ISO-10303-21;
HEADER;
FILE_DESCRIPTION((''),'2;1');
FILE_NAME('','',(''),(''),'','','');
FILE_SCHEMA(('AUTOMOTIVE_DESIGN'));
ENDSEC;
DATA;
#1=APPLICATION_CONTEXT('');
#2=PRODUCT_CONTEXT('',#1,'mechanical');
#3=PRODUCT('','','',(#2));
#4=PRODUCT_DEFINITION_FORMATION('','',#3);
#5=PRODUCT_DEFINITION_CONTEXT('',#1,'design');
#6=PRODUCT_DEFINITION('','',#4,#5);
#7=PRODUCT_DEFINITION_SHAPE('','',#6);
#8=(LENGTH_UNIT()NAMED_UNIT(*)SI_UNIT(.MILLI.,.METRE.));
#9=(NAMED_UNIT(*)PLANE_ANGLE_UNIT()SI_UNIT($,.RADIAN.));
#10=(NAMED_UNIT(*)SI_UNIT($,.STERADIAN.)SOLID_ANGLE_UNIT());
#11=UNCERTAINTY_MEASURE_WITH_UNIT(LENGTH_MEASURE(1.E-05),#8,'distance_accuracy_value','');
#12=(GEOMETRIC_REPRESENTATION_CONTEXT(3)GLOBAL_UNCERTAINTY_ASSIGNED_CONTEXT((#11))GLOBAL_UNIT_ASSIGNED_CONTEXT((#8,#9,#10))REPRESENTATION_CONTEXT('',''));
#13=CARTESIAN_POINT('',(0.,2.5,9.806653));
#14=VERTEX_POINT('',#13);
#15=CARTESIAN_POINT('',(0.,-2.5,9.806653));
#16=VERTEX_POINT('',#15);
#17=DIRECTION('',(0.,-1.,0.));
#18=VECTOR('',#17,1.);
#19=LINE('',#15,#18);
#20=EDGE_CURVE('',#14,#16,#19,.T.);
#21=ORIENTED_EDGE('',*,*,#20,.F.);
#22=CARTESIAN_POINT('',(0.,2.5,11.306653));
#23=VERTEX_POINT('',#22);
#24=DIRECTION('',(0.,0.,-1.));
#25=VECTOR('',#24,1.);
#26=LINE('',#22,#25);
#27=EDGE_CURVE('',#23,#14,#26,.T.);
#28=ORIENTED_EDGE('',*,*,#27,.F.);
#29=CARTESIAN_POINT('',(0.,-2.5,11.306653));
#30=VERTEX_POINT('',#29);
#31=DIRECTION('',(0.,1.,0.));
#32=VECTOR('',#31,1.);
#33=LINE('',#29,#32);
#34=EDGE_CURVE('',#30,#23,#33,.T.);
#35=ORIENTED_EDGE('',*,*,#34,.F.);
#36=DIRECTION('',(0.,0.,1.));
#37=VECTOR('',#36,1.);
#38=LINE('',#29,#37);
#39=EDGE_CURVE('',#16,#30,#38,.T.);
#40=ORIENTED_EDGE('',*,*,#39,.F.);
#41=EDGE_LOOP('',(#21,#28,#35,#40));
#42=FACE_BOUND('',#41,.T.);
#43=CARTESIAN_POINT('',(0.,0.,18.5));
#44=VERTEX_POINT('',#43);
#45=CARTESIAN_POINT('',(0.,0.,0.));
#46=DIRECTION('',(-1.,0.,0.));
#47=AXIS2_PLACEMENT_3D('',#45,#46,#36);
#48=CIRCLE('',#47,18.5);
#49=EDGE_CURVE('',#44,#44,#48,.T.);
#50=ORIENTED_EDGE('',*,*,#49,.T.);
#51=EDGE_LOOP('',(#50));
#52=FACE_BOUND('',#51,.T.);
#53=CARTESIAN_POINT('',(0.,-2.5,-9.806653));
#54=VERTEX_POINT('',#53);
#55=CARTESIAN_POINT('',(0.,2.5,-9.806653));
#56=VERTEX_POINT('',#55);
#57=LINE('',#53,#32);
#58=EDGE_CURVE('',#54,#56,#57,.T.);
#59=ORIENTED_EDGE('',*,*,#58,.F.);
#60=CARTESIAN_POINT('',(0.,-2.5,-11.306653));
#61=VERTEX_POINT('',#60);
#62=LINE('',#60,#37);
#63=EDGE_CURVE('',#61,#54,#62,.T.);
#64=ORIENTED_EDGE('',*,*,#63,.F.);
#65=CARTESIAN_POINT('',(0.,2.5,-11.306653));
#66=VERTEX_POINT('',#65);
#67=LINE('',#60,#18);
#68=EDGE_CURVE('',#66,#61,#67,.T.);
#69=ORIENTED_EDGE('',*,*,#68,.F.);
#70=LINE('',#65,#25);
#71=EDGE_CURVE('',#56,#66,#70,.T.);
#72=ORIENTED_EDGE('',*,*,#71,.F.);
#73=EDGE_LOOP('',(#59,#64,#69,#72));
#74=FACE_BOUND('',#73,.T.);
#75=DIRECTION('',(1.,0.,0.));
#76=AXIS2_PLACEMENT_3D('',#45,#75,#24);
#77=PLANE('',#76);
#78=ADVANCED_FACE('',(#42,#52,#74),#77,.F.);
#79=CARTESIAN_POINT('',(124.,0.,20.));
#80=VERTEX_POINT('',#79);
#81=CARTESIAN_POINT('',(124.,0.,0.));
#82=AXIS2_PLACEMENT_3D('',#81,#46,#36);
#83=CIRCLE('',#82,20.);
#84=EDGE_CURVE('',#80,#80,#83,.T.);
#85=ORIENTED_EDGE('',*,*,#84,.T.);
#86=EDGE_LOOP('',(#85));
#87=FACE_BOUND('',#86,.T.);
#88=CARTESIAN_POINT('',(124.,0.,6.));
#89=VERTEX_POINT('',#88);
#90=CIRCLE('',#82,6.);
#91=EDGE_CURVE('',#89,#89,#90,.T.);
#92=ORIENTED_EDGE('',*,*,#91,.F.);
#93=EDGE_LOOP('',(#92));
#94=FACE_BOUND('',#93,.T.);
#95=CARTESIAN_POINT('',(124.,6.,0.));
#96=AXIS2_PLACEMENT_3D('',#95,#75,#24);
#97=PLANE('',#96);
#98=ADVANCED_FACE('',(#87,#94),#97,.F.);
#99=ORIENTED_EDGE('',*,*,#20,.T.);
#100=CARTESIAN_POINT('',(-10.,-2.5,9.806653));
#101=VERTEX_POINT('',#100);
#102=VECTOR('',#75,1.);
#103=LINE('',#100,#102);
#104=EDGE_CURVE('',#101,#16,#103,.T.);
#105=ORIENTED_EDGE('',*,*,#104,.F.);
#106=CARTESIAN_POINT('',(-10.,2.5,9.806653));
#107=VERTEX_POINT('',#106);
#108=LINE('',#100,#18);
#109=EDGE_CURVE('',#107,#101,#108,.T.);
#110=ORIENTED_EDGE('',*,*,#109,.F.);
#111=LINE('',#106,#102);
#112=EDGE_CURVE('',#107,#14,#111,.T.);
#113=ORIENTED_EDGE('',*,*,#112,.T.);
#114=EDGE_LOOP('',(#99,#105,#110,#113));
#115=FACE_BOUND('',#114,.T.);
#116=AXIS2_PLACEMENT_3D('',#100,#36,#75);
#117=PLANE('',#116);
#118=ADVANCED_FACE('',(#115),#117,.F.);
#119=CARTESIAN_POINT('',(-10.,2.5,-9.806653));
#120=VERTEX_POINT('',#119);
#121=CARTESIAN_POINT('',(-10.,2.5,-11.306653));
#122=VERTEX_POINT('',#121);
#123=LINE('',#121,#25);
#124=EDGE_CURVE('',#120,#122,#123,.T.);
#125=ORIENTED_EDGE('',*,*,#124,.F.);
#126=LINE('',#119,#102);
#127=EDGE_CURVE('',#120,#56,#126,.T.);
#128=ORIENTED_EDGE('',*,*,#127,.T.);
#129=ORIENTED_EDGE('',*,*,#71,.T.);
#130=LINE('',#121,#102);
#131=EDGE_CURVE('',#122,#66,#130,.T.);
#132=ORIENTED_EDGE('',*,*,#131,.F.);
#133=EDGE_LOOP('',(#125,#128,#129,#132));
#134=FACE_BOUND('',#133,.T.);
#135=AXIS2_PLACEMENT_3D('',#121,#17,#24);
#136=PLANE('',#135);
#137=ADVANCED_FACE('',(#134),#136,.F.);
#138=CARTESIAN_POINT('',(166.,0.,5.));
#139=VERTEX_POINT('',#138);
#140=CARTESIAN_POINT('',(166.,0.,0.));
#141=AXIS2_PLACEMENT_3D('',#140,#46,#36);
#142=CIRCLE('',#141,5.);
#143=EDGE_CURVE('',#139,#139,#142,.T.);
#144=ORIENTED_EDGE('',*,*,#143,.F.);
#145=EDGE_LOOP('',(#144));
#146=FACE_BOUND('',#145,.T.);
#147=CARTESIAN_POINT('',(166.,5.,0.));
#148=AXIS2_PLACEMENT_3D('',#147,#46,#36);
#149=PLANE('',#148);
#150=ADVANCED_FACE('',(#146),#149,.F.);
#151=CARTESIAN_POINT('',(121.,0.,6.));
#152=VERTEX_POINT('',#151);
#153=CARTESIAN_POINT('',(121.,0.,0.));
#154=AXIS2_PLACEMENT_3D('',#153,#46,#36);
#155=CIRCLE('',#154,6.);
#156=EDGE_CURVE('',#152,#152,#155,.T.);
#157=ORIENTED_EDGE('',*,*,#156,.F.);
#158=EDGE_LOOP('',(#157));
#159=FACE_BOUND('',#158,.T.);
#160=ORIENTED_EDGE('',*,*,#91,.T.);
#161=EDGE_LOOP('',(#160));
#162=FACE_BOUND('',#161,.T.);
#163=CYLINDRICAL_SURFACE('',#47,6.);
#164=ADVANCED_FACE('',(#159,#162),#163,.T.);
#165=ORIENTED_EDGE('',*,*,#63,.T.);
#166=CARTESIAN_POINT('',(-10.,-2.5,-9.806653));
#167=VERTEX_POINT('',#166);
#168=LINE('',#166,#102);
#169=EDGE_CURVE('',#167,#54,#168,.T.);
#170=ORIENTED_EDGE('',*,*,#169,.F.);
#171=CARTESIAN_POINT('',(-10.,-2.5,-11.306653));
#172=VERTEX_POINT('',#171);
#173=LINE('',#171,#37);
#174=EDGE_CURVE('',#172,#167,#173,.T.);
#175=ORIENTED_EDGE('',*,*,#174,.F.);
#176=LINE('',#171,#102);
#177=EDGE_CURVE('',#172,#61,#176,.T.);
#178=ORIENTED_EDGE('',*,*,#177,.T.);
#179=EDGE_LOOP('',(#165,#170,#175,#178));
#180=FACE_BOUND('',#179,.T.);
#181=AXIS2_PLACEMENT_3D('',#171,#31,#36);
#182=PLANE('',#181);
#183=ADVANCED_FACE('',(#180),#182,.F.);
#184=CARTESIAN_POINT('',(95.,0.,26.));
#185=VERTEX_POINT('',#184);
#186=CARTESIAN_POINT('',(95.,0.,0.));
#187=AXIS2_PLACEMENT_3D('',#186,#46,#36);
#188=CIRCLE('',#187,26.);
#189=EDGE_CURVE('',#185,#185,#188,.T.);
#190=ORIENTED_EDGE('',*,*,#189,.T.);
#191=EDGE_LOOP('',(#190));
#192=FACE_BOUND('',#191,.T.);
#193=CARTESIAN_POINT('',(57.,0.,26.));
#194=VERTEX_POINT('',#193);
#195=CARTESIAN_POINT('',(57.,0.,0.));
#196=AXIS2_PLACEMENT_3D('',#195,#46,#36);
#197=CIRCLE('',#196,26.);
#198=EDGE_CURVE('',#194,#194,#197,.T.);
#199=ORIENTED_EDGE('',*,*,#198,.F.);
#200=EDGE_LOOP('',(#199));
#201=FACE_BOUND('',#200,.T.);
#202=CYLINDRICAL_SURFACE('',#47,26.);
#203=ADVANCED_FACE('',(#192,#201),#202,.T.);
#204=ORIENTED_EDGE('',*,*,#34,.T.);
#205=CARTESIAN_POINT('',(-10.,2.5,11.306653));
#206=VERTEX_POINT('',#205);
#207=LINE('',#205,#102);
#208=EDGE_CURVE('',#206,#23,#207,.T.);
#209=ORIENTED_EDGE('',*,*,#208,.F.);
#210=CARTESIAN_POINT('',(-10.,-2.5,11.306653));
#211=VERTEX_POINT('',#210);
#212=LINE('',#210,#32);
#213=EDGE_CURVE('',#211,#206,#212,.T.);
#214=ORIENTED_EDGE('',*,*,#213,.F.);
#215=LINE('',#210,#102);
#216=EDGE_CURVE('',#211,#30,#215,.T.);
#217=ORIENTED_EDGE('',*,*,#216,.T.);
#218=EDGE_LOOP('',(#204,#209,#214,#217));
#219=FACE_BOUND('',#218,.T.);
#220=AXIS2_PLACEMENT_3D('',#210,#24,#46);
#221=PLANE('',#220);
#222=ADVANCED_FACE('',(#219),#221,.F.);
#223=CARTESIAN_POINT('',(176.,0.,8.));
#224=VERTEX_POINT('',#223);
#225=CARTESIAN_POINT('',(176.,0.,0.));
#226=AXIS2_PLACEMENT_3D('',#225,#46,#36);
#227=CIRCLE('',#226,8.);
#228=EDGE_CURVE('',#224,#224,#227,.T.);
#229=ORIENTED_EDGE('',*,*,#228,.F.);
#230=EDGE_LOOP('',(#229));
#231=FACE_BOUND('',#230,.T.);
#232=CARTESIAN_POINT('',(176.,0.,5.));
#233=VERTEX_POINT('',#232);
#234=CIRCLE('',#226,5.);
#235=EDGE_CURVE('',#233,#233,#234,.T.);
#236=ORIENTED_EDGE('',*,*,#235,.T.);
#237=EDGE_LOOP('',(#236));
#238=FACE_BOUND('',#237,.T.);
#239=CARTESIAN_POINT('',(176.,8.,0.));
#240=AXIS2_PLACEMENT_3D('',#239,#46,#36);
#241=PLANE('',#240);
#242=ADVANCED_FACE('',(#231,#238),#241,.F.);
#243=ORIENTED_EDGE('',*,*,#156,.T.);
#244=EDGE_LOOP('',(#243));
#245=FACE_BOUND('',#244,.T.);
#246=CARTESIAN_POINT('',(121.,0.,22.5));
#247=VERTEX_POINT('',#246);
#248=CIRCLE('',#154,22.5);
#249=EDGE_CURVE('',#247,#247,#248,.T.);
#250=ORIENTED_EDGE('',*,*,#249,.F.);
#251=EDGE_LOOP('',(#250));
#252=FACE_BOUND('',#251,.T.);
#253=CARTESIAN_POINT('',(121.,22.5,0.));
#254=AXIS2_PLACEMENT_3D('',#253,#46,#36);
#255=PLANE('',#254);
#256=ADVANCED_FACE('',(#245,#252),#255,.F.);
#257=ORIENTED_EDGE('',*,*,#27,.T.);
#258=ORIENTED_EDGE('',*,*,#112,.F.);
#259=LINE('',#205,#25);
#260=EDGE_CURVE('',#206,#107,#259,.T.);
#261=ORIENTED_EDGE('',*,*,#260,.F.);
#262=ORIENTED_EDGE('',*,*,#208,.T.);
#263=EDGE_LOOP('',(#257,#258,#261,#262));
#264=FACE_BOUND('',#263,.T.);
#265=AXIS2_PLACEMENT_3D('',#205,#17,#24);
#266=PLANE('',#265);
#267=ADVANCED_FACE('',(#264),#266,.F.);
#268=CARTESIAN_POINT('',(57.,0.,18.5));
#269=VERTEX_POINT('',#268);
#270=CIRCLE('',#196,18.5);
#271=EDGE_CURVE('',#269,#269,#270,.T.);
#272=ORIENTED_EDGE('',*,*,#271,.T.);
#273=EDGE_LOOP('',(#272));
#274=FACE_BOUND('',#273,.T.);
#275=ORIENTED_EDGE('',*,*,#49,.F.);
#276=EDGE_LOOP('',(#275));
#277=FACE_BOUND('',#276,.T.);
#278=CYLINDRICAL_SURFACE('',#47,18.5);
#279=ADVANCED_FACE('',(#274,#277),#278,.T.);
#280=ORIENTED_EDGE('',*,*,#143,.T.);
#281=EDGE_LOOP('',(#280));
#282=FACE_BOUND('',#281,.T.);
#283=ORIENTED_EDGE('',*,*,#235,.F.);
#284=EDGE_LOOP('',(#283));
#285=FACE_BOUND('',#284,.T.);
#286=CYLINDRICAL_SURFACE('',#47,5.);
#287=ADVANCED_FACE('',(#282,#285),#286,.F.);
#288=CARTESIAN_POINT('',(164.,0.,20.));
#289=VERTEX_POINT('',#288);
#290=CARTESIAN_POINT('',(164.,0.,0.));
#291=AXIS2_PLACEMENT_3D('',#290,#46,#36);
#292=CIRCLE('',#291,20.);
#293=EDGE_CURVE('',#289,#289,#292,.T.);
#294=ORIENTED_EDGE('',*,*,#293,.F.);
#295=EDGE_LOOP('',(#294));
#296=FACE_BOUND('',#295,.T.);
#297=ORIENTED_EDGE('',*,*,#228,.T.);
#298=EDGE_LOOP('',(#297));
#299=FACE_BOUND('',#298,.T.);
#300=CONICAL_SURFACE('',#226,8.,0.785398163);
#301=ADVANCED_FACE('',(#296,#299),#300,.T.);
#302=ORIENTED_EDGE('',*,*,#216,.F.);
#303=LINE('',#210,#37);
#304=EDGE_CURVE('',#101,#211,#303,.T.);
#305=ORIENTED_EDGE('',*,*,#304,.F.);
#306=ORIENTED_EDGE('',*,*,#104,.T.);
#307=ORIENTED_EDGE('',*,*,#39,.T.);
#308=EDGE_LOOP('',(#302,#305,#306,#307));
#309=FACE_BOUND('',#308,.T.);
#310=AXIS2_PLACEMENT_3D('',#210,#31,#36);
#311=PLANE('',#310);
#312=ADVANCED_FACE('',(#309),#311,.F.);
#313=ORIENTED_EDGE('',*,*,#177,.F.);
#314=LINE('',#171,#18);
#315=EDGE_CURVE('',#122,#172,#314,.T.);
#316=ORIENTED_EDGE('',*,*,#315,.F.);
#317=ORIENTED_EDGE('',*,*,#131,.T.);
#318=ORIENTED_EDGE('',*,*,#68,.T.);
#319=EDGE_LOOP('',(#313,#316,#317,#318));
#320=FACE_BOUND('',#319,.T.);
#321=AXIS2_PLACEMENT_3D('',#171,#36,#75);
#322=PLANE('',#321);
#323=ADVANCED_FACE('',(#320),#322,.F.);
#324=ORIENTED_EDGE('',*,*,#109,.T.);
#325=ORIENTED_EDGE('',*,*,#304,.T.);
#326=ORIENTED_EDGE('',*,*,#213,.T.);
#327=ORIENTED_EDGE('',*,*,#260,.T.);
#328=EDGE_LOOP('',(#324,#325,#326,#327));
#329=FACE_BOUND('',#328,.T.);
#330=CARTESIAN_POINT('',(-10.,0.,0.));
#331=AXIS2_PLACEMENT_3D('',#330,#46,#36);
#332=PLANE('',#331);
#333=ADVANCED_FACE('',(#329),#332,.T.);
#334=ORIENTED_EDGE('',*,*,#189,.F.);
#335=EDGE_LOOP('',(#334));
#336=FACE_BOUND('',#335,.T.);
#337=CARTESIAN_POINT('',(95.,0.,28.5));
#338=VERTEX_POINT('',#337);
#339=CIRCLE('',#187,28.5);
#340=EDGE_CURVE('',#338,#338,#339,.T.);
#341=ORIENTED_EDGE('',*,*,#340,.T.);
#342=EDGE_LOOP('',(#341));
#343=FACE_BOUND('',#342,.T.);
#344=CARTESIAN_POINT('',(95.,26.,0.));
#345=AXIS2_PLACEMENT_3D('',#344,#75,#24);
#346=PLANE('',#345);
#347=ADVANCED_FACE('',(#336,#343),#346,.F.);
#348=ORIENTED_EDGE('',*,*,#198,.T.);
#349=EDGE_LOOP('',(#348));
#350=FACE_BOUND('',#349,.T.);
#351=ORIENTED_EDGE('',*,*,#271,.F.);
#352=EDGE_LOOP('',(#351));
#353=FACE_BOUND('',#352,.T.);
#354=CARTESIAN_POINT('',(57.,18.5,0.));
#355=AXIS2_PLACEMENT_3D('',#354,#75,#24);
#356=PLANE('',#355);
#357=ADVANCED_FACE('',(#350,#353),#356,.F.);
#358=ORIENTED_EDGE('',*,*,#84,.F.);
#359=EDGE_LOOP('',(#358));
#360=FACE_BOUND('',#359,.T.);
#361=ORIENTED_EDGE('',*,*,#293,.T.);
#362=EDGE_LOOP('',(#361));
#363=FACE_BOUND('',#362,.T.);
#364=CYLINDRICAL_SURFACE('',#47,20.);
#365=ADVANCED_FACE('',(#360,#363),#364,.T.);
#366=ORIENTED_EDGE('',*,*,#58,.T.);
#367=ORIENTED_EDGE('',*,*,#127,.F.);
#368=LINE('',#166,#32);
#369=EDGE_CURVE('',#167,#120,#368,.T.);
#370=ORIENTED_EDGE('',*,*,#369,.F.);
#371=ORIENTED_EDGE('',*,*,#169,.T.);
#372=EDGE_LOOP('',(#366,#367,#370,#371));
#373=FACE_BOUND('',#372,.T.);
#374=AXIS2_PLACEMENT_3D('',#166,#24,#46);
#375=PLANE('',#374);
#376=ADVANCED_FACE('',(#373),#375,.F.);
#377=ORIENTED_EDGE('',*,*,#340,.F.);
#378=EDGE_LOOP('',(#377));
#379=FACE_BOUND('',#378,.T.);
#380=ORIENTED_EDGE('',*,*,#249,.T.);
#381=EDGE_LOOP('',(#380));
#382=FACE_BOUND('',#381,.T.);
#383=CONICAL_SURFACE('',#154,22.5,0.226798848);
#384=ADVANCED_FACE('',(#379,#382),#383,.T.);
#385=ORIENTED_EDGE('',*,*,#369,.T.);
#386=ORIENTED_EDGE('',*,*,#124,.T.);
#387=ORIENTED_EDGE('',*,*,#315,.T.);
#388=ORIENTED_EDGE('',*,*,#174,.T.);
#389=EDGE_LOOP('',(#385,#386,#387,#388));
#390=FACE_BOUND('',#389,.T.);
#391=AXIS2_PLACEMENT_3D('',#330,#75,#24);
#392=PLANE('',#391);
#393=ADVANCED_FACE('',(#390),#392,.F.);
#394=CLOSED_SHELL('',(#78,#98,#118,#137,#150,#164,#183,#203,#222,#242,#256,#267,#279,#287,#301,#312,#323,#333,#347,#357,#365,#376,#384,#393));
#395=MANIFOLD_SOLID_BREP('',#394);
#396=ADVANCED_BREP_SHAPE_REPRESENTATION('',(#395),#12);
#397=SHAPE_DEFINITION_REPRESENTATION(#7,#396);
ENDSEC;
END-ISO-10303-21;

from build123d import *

# Parameters (mm, degrees)
SKETCH_2_W      = 1.5
SKETCH_2_H      = 5
EXTRUDE_1_DEPTH = 10


with BuildPart() as part:
    # Эскиз1 → Повернуть1 (revolve)
    with BuildSketch(Plane.XY, mode=Mode.PRIVATE) as revolve_1_sk:
        Polygon((0, 0), (0, 18.5), (57, 18.5), (57, 26), (95, 26), (95, 28.5), (121, 22.5), (121, 6), (124, 6), (124, 20), (164, 20), (176, 8), (176, 5), (166, 5), (166, 0), align=None)
    revolve(revolve_1_sk.sketch.rotate(Axis((0, 0, 0), (1, 0, 0)), 90), axis=Axis((0, 0, 0), (1, 0, 0)))

    # Эскиз2 → Бобышка-Вытянуть1 (add)
    with BuildSketch(Plane.ZY):
        with Locations((10.556652869, 0)):
            Rectangle(SKETCH_2_W, SKETCH_2_H)
        with Locations((-10.556652869, 0)):
            Rectangle(SKETCH_2_W, SKETCH_2_H)
    extrude(amount=EXTRUDE_1_DEPTH)


solid = part.part
